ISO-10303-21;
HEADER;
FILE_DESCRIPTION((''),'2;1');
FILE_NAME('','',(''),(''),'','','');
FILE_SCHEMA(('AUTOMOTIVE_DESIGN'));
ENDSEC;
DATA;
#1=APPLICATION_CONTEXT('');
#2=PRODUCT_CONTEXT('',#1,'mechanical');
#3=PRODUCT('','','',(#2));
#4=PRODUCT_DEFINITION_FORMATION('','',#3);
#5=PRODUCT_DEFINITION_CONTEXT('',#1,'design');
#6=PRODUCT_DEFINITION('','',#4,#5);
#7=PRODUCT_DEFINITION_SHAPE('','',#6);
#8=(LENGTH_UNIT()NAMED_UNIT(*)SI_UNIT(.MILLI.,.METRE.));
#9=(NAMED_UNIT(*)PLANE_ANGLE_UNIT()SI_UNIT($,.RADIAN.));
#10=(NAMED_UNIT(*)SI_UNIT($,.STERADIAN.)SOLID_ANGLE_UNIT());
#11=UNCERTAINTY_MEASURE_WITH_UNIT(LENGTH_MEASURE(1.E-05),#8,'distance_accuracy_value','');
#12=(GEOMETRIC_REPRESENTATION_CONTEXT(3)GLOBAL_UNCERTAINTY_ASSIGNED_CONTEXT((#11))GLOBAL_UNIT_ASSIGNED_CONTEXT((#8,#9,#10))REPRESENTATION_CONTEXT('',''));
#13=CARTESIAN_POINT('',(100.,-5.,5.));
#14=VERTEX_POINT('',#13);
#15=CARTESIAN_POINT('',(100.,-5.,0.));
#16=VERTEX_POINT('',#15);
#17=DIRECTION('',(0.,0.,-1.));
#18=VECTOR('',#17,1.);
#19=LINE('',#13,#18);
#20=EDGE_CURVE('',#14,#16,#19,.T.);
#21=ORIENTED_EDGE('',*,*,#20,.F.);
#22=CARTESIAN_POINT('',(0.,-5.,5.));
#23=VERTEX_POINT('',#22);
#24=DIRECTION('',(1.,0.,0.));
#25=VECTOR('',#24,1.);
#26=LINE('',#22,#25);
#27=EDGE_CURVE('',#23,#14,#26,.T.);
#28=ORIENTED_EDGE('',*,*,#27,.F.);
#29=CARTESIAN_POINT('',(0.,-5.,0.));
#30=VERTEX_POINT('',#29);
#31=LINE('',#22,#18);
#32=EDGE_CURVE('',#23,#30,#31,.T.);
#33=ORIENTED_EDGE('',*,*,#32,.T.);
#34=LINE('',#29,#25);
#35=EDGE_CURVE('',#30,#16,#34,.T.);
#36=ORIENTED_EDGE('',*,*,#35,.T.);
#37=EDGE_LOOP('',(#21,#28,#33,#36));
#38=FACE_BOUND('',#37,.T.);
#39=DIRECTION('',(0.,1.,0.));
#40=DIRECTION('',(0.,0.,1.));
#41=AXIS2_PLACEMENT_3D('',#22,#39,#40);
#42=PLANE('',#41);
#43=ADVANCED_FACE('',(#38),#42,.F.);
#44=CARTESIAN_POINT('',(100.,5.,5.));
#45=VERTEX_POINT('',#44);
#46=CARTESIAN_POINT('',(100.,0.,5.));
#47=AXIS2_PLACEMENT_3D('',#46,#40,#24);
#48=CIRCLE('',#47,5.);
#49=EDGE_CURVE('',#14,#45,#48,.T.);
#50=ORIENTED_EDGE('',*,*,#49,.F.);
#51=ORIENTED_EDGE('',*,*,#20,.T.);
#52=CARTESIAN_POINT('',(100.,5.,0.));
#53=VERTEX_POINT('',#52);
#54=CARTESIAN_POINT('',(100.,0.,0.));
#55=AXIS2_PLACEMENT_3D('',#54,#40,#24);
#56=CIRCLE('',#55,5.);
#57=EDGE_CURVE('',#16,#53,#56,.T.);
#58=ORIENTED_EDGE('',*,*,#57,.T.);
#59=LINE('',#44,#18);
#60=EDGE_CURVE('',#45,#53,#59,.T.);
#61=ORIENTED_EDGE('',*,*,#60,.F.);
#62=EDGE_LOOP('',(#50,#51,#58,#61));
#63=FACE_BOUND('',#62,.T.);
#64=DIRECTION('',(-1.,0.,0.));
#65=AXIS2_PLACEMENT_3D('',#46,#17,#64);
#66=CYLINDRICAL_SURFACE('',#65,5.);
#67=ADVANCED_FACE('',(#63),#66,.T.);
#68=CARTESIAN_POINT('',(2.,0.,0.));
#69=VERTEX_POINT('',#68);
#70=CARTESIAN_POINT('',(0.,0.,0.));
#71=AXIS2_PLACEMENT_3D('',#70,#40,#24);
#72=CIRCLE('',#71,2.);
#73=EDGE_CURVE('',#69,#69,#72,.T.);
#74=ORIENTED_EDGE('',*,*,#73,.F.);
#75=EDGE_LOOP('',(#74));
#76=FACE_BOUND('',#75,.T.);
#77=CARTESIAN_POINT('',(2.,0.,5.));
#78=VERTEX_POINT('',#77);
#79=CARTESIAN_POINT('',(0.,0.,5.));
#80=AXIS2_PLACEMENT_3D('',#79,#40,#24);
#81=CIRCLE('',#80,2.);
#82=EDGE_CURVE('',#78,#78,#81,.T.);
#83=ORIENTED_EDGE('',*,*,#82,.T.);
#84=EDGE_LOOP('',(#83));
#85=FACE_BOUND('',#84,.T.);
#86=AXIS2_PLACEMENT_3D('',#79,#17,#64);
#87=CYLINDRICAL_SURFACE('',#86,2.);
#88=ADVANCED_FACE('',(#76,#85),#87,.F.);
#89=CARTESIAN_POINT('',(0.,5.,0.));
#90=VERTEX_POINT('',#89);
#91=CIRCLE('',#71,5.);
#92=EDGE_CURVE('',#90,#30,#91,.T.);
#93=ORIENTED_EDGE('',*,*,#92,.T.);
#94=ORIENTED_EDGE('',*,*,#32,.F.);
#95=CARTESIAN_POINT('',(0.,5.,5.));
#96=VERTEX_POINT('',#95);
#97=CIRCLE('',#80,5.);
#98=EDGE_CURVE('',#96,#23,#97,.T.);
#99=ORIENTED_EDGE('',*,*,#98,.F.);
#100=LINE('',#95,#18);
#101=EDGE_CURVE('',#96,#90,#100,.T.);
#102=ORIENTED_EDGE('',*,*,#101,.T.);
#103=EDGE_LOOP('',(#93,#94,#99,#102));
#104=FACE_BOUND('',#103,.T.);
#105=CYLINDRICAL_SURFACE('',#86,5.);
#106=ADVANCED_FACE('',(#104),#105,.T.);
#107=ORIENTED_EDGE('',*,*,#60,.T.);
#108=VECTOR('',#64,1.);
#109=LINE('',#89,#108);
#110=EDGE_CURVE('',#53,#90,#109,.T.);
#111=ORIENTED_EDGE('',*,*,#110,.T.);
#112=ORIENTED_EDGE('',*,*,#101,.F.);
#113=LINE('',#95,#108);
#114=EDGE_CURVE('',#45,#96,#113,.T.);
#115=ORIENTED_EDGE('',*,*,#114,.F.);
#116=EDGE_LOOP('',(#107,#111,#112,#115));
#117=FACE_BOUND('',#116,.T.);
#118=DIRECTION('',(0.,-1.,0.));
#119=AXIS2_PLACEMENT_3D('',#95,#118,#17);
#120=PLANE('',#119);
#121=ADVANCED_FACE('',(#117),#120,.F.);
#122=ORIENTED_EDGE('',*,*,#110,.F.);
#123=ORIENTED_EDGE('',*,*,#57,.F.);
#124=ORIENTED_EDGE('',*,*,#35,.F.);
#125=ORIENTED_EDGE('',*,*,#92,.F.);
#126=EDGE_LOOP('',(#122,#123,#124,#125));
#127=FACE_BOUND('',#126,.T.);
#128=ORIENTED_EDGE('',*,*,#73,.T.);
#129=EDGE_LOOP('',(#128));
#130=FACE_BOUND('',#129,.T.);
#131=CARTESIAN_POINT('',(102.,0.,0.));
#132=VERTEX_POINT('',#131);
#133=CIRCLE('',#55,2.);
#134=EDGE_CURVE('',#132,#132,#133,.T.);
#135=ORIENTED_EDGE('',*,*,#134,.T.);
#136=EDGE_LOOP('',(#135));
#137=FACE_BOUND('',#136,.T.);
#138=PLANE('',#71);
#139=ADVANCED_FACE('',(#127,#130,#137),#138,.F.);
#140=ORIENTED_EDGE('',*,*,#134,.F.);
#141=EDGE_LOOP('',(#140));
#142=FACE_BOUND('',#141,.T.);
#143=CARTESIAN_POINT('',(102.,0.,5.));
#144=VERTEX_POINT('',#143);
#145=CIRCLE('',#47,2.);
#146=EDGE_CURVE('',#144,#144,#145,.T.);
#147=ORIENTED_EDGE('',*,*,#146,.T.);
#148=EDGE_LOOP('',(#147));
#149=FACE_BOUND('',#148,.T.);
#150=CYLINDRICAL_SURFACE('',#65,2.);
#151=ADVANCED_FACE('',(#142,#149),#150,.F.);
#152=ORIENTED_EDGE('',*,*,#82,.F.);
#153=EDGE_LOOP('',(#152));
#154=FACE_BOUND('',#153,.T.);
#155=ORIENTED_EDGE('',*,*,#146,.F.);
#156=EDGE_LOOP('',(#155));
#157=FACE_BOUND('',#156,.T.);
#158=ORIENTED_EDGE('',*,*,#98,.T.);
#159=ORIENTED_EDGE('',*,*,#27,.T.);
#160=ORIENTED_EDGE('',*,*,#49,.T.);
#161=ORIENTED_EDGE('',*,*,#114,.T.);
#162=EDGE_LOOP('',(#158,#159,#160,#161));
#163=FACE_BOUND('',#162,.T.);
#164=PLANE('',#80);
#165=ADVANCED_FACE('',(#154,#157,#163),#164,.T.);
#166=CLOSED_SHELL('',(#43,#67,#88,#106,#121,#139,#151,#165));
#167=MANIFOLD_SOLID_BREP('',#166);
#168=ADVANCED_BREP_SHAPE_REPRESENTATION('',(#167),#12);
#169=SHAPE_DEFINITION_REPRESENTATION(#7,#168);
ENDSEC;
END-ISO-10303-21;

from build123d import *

# Parameters (mm, degrees)
CROQUIS1_R              = 2
SALIENTE_EXTRUIR1_DEPTH = 5


with BuildPart() as part:
    # Croquis1 → Saliente-Extruir1 (new body)
    with BuildSketch(Plane.XY):
        with BuildLine():
            Line((0, 5), (100, 5))
            ThreePointArc((100, 5), (105, 0), (100, -5))
            Line((100, -5), (0, -5))
            ThreePointArc((0, -5), (-5, 0), (0, 5))
        make_face()
        Circle(CROQUIS1_R, mode=Mode.SUBTRACT)
        with Locations((100, 0)):
            Circle(CROQUIS1_R, mode=Mode.SUBTRACT)
    extrude(amount=SALIENTE_EXTRUIR1_DEPTH)


solid = part.part
